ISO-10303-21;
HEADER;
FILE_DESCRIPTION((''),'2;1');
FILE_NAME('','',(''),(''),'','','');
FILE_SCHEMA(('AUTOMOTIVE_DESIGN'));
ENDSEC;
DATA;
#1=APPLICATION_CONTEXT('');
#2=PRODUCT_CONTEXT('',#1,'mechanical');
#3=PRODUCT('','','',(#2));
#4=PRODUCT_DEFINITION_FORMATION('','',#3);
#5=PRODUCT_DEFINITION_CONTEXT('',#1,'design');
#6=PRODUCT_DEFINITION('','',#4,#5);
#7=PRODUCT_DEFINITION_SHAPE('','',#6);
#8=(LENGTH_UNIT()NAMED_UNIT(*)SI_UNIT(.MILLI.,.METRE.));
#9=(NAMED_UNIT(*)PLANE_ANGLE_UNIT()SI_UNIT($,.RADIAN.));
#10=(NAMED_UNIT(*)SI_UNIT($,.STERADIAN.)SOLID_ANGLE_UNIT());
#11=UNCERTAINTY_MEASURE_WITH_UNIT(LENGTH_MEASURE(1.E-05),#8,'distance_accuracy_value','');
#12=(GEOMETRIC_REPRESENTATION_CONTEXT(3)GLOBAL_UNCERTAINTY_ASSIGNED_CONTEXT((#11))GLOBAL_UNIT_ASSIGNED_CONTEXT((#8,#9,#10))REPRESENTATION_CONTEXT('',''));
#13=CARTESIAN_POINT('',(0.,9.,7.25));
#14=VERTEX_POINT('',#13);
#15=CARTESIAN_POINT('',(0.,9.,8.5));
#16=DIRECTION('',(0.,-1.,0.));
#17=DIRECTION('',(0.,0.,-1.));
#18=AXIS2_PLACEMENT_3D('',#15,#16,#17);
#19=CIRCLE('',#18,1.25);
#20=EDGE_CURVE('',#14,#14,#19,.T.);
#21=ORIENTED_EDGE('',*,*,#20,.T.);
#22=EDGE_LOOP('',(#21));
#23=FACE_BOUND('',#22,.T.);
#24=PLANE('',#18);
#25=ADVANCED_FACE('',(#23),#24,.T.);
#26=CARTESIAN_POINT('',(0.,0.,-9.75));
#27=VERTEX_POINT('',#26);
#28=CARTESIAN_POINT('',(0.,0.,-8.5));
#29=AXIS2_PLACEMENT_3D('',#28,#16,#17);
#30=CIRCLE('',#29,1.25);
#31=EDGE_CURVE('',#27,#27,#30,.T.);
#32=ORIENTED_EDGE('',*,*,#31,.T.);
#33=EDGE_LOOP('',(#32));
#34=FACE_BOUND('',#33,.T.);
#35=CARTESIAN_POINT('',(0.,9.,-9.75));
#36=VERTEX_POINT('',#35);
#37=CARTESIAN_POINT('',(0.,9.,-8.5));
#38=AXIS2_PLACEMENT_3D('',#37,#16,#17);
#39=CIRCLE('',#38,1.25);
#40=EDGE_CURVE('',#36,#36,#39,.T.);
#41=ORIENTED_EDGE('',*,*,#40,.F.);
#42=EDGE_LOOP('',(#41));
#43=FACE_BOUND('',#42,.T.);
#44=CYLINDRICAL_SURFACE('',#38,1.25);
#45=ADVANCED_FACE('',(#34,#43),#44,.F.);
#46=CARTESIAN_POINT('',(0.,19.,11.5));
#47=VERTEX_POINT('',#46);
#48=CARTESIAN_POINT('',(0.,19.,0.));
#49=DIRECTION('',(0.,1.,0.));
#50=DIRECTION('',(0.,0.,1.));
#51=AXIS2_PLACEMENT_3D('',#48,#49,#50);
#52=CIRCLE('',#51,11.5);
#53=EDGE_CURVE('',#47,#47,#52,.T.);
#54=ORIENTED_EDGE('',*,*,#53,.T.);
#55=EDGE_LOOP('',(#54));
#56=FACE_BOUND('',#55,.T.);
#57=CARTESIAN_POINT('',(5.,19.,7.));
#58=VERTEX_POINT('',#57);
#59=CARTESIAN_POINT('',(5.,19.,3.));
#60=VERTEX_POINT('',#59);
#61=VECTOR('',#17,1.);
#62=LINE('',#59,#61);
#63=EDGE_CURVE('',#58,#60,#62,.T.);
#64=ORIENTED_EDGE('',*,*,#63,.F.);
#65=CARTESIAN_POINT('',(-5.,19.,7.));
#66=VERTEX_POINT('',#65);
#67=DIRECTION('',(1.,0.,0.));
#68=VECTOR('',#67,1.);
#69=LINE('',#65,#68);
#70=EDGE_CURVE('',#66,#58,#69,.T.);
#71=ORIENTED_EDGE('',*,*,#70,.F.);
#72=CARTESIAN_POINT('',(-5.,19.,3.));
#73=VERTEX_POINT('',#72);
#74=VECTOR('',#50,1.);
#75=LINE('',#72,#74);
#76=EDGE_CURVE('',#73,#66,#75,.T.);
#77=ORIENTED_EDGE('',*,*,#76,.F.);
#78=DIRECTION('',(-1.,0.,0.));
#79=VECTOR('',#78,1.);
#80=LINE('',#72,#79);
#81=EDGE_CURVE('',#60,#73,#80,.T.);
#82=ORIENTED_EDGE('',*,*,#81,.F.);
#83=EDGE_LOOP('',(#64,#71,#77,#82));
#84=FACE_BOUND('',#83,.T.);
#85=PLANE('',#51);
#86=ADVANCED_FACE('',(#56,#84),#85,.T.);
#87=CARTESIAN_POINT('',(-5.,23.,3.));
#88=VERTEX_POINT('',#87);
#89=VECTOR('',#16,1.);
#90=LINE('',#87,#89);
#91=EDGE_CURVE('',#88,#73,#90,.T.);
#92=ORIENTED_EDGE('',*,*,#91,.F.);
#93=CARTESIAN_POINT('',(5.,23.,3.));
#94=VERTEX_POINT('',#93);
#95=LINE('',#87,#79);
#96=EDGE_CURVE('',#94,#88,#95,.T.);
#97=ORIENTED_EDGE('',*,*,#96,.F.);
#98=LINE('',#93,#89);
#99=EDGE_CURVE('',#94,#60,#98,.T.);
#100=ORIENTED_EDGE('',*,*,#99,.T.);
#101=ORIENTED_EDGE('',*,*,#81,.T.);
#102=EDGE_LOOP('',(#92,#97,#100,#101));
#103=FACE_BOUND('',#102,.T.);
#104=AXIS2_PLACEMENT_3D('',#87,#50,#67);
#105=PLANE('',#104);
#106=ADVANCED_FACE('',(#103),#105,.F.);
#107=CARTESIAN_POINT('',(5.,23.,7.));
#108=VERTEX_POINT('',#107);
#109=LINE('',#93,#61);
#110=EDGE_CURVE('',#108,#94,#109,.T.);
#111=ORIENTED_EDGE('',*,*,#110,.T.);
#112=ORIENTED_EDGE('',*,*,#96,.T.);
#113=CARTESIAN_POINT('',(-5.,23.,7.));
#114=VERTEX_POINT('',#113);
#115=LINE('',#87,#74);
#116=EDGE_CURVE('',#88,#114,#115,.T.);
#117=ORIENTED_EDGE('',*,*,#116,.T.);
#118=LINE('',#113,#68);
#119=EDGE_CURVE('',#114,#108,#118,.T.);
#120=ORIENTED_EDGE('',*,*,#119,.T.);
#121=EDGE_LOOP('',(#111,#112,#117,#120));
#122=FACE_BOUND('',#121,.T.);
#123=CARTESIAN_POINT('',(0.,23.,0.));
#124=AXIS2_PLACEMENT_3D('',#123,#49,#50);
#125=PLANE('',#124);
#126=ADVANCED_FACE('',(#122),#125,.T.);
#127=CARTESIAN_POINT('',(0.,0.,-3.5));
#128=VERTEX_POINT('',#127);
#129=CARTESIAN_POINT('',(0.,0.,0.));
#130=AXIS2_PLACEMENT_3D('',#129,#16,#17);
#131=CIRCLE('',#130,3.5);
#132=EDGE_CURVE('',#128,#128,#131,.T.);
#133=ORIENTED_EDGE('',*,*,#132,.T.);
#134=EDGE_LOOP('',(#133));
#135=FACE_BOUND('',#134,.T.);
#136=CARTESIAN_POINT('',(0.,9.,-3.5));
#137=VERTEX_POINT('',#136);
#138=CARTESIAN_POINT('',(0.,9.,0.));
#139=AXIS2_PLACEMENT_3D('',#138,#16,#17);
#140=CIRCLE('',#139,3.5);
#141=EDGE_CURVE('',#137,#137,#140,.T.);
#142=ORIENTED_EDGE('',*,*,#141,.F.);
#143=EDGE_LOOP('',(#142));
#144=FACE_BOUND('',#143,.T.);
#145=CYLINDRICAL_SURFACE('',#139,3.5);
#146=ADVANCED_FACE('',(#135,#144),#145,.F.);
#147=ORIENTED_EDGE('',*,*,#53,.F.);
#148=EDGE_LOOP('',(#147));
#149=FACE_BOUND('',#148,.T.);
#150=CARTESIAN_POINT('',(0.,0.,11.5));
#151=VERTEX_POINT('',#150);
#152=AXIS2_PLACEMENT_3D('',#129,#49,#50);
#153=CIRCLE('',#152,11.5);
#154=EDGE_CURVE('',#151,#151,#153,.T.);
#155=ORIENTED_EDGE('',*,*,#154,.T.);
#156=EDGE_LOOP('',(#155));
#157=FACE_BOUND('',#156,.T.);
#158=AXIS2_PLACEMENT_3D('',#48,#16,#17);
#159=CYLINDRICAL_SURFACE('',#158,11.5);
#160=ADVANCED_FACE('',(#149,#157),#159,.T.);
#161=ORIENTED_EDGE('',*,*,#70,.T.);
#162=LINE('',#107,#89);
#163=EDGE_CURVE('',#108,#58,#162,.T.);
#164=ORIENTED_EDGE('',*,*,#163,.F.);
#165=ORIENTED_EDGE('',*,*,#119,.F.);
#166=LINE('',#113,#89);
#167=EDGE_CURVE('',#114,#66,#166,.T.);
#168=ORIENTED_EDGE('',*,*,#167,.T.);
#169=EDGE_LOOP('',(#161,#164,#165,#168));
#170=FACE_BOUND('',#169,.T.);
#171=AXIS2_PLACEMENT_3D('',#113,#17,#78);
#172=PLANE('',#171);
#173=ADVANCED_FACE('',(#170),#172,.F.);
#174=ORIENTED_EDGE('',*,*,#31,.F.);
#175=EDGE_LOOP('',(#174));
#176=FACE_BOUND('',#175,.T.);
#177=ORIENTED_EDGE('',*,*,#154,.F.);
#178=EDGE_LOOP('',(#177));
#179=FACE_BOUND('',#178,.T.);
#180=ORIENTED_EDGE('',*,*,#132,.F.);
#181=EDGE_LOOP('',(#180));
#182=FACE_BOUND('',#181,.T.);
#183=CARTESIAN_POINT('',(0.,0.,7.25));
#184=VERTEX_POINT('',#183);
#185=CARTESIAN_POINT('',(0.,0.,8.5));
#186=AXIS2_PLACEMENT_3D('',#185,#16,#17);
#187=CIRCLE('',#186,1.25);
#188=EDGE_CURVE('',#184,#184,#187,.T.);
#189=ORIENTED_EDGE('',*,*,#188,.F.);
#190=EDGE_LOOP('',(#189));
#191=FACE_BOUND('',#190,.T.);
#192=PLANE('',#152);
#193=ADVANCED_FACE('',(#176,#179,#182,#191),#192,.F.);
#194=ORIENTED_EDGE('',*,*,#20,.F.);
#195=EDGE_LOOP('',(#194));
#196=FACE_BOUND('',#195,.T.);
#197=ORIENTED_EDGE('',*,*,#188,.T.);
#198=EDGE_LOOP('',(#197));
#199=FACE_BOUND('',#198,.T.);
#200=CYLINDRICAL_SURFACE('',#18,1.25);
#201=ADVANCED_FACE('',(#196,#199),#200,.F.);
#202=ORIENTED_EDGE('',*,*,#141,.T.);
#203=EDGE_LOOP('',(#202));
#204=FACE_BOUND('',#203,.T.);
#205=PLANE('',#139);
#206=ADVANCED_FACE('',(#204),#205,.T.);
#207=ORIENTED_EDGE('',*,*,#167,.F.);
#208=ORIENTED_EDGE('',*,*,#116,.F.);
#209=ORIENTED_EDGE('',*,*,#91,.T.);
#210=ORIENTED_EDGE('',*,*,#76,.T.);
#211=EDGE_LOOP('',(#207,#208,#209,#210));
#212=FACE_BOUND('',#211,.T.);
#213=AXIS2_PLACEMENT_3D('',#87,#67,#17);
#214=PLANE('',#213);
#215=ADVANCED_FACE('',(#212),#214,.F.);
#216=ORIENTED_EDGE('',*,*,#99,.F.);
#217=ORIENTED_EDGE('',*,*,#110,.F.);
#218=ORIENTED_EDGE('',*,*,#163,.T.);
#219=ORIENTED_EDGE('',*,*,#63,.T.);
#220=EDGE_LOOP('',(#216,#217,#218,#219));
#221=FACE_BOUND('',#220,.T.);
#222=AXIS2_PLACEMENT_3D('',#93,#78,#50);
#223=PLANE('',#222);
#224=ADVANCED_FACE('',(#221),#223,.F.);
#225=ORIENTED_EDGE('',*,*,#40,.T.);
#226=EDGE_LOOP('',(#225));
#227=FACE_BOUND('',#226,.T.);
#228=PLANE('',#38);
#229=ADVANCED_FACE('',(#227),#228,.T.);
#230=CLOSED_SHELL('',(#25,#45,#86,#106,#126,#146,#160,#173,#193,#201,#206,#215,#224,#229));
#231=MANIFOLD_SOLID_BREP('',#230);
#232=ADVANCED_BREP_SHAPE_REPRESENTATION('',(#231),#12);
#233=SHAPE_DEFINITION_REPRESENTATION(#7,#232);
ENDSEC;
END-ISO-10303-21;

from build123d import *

# Parameters (mm, degrees)
SKETCH1_R           = 11.5
BOSS_EXTRUDE1_DEPTH = 19
SKETCH2_W           = 10
SKETCH2_H           = 4
BOSS_EXTRUDE2_DEPTH = 4
SKETCH3_R           = 3.5
SKETCH3_R_2         = 1.25
CUT_EXTRUDE1_DEPTH  = 9


with BuildPart() as part:
    # Sketch1 → Boss-Extrude1 (new body)
    with BuildSketch(Plane(origin=(0, 0, 0), x_dir=(1, 0, 0), z_dir=(0, 1, 0))):
        with Locations(Location((0, 0, 0), (0, 0, 270))):
            Circle(SKETCH1_R)
    extrude(amount=BOSS_EXTRUDE1_DEPTH)

    # Sketch2 → Boss-Extrude2 (add)
    with BuildSketch(Plane(origin=(0, 19, 0), x_dir=(1, 0, 0), z_dir=(0, 1, 0))):
        with Locations((0, -5)):
            Rectangle(SKETCH2_W, SKETCH2_H)
    extrude(amount=BOSS_EXTRUDE2_DEPTH)

    # Sketch3 → Cut-Extrude1 (cut)
    with BuildSketch(Plane.XZ):
        with Locations(Location((0, 0, 0), (0, 0, 270))):
            Circle(SKETCH3_R)
        with Locations(Location((0, 8.5, 0), (0, 0, 270))):
            Circle(SKETCH3_R_2)
        with Locations(Location((0, -8.5, 0), (0, 0, 270))):
            Circle(SKETCH3_R_2)
    extrude(amount=-CUT_EXTRUDE1_DEPTH, mode=Mode.SUBTRACT)


solid = part.part
